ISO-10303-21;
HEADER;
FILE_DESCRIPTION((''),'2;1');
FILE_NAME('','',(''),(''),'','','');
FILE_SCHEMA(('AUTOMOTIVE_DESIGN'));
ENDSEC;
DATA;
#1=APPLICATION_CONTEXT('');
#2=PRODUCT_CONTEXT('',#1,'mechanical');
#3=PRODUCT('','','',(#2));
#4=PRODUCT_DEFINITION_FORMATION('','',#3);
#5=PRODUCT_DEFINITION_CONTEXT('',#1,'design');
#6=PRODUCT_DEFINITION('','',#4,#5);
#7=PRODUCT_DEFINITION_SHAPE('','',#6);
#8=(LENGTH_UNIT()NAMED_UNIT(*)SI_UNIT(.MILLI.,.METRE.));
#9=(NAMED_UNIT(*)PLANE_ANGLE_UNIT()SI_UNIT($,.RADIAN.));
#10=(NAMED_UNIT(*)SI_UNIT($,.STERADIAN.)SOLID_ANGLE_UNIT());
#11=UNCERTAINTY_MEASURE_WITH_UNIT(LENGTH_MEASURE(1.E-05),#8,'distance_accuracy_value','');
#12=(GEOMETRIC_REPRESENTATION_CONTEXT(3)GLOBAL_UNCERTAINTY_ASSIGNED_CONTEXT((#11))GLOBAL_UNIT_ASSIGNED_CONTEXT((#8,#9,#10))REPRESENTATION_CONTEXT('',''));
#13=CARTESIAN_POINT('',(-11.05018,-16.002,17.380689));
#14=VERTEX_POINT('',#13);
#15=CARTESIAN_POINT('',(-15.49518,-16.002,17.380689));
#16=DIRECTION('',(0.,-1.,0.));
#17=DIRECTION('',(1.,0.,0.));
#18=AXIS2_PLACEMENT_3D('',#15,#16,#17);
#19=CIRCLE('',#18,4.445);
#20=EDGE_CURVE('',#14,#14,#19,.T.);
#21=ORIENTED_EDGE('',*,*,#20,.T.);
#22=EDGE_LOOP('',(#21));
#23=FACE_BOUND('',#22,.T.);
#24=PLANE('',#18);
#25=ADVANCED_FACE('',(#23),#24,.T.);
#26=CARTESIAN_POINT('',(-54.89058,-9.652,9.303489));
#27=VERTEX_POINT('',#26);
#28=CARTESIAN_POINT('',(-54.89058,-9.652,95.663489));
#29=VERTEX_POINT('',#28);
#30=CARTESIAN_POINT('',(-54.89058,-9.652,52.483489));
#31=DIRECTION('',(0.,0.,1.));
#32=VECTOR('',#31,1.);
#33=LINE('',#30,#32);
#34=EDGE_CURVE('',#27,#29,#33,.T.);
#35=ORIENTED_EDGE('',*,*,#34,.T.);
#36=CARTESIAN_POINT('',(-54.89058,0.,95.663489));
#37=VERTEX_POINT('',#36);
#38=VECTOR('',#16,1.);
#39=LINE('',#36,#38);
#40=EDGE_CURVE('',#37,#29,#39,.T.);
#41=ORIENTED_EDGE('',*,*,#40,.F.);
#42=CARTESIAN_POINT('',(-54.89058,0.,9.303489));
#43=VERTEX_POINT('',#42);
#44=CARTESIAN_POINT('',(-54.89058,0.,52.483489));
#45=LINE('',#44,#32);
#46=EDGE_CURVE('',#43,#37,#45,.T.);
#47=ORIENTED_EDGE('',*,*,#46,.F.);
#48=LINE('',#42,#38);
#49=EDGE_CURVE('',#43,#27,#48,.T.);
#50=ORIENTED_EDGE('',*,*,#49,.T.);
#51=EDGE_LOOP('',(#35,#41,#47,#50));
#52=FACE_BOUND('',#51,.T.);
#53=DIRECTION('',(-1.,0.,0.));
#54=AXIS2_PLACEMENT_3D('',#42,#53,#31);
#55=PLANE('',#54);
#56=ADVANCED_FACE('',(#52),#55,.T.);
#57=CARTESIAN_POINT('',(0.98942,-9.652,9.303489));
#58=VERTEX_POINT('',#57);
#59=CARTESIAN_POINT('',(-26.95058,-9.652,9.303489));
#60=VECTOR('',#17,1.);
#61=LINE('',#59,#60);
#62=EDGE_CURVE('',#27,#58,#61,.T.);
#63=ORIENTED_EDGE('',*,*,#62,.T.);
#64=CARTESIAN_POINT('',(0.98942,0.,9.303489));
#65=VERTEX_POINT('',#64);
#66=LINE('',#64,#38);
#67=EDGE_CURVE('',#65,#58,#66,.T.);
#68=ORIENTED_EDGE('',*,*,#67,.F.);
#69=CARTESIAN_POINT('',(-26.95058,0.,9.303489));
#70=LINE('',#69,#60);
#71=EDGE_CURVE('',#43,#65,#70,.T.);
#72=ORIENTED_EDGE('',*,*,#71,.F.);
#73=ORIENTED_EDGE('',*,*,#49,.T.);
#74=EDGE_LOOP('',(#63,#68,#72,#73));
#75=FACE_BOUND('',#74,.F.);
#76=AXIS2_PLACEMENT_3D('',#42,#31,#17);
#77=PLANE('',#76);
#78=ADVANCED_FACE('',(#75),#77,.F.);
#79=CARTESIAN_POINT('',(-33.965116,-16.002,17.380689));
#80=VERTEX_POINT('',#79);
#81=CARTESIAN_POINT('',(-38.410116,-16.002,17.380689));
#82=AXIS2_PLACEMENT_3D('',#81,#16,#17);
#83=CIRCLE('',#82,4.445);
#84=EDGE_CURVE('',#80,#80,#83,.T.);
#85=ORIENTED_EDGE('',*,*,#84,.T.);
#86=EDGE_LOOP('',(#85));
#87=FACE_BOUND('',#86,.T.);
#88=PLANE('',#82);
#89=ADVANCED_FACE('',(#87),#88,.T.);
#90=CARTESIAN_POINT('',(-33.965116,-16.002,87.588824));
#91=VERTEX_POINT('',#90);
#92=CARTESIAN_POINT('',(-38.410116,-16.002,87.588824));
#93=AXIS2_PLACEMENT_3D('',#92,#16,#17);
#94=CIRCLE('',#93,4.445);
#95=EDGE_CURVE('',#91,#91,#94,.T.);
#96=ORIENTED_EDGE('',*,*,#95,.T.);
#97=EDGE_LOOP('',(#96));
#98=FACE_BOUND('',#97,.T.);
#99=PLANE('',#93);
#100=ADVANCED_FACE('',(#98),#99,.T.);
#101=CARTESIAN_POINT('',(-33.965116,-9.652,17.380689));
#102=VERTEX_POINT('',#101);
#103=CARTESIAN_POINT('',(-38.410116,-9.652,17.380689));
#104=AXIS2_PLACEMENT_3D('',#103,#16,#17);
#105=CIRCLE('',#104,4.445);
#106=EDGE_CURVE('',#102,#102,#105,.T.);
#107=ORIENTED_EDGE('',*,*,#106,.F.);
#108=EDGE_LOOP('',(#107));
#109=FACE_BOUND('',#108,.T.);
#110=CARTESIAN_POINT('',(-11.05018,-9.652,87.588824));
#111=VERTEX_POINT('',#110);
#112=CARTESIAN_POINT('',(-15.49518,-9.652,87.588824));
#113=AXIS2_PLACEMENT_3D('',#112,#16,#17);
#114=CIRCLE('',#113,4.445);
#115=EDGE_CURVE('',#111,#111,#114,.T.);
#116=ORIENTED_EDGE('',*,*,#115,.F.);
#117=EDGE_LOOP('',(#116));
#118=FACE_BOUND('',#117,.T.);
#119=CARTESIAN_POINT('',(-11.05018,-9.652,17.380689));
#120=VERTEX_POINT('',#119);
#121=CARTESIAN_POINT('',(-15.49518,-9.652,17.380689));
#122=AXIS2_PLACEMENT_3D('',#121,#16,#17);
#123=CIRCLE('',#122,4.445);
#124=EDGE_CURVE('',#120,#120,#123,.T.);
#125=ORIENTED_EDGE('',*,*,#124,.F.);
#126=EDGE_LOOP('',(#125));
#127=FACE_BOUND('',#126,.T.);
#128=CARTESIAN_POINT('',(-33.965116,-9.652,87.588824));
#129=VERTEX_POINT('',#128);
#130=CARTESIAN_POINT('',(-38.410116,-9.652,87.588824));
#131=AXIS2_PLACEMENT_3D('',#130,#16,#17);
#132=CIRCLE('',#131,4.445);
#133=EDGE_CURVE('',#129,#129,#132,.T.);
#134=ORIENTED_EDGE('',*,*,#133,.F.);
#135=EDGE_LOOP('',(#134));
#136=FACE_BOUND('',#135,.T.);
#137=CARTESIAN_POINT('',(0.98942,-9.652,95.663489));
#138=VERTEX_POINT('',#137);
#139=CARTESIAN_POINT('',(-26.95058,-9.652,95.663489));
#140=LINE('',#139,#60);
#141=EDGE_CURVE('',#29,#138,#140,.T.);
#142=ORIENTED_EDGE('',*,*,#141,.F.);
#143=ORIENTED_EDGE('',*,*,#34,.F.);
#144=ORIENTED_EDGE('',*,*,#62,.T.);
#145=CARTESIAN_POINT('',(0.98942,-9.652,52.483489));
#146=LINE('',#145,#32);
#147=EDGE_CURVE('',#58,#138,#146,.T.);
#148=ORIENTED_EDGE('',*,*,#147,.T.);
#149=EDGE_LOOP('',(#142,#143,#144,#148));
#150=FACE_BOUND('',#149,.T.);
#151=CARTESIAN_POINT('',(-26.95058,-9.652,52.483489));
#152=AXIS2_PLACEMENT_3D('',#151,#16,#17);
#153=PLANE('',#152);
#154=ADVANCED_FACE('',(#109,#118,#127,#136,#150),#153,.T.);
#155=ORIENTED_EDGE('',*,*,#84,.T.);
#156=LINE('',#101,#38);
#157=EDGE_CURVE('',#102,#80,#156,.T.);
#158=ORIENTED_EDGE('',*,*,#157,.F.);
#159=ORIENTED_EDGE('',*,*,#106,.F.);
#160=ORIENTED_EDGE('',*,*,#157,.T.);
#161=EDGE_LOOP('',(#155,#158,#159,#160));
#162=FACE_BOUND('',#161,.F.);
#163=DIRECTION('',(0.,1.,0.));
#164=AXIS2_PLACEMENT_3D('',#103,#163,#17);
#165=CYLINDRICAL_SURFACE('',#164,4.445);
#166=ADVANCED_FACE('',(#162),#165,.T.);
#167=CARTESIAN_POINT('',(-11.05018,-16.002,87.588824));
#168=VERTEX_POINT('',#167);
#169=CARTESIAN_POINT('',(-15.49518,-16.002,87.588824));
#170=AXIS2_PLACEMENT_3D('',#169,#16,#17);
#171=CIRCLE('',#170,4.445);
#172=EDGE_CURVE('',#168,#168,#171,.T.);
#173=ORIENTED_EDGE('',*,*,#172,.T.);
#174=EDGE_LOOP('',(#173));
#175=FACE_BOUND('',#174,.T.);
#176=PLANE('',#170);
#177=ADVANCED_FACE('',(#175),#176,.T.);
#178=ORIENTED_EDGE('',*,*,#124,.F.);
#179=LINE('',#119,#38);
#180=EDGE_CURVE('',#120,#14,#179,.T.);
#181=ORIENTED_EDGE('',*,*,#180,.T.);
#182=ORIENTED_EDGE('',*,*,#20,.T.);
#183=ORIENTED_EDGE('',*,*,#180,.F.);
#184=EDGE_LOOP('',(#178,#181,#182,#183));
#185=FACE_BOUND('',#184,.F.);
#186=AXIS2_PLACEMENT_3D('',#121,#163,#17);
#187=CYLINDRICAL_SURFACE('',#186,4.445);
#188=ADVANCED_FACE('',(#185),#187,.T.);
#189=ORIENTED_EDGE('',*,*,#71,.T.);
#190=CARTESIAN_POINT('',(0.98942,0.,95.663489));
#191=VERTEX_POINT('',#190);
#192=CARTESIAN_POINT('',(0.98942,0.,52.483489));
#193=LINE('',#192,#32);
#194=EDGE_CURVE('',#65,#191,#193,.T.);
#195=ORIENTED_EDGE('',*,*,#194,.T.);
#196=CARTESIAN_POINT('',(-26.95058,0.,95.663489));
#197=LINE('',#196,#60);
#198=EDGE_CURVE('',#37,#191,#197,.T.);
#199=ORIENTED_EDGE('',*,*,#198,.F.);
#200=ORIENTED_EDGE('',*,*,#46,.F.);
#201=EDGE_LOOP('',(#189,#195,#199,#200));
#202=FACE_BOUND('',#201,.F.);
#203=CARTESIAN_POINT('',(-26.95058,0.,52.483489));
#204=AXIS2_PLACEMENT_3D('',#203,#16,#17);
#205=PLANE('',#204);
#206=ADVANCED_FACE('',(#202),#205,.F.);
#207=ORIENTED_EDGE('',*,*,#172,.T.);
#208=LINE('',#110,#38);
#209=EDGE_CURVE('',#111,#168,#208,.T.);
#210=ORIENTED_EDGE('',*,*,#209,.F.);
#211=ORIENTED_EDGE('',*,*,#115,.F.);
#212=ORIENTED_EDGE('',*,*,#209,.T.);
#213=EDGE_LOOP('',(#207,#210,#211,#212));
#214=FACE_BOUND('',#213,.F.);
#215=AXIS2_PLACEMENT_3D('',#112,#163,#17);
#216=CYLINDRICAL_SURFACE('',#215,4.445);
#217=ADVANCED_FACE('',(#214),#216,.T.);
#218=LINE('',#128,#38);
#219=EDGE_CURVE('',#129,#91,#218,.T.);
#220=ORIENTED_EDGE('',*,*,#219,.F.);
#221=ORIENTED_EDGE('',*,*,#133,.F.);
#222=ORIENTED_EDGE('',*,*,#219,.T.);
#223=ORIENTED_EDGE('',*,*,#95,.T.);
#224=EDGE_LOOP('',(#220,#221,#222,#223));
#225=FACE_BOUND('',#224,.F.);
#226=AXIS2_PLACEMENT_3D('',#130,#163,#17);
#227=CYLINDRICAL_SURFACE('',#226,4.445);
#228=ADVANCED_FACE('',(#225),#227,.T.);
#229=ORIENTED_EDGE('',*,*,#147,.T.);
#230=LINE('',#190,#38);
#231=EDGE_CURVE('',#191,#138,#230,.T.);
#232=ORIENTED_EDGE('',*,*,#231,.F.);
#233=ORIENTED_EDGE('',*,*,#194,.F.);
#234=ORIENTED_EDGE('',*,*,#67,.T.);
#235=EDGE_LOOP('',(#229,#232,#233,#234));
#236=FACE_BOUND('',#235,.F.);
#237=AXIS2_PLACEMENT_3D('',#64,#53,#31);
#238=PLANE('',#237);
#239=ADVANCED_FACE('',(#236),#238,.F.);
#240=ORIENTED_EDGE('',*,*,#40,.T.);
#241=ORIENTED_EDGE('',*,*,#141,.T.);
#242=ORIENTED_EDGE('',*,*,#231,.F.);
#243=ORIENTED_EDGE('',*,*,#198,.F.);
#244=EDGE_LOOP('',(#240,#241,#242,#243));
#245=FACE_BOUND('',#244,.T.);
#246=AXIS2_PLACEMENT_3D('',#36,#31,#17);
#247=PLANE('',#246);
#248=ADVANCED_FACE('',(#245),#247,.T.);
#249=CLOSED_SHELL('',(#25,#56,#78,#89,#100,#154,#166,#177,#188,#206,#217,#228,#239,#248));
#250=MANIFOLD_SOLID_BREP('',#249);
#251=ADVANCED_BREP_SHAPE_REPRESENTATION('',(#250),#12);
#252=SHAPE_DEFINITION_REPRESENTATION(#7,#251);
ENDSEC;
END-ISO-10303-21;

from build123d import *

# Parameters (mm, degrees)
F0_W     = 55.88
F0_H     = 86.36
F1_DEPTH = 9.652
F2_R     = 4.445
F3_DEPTH = 6.35


with BuildPart() as f1:
    # F0 (on Front) → F1 (new body)
    with BuildSketch(Plane.XZ):
        with Locations((-26.95058, 52.483489)):
            Rectangle(F0_W, F0_H)
    extrude(amount=F1_DEPTH)

    # F2 (on face) → F3 (join)
    with BuildSketch(Plane.XZ.offset(9.652)):
        with Locations((-38.410116, 87.588824)):
            Circle(F2_R)
        with Locations((-15.49518, 87.588824)):
            Circle(F2_R)
        with Locations((-38.410116, 17.380689)):
            Circle(F2_R)
        with Locations((-15.49518, 17.380689)):
            Circle(F2_R)
    extrude(amount=F3_DEPTH)


solid = f1.part
